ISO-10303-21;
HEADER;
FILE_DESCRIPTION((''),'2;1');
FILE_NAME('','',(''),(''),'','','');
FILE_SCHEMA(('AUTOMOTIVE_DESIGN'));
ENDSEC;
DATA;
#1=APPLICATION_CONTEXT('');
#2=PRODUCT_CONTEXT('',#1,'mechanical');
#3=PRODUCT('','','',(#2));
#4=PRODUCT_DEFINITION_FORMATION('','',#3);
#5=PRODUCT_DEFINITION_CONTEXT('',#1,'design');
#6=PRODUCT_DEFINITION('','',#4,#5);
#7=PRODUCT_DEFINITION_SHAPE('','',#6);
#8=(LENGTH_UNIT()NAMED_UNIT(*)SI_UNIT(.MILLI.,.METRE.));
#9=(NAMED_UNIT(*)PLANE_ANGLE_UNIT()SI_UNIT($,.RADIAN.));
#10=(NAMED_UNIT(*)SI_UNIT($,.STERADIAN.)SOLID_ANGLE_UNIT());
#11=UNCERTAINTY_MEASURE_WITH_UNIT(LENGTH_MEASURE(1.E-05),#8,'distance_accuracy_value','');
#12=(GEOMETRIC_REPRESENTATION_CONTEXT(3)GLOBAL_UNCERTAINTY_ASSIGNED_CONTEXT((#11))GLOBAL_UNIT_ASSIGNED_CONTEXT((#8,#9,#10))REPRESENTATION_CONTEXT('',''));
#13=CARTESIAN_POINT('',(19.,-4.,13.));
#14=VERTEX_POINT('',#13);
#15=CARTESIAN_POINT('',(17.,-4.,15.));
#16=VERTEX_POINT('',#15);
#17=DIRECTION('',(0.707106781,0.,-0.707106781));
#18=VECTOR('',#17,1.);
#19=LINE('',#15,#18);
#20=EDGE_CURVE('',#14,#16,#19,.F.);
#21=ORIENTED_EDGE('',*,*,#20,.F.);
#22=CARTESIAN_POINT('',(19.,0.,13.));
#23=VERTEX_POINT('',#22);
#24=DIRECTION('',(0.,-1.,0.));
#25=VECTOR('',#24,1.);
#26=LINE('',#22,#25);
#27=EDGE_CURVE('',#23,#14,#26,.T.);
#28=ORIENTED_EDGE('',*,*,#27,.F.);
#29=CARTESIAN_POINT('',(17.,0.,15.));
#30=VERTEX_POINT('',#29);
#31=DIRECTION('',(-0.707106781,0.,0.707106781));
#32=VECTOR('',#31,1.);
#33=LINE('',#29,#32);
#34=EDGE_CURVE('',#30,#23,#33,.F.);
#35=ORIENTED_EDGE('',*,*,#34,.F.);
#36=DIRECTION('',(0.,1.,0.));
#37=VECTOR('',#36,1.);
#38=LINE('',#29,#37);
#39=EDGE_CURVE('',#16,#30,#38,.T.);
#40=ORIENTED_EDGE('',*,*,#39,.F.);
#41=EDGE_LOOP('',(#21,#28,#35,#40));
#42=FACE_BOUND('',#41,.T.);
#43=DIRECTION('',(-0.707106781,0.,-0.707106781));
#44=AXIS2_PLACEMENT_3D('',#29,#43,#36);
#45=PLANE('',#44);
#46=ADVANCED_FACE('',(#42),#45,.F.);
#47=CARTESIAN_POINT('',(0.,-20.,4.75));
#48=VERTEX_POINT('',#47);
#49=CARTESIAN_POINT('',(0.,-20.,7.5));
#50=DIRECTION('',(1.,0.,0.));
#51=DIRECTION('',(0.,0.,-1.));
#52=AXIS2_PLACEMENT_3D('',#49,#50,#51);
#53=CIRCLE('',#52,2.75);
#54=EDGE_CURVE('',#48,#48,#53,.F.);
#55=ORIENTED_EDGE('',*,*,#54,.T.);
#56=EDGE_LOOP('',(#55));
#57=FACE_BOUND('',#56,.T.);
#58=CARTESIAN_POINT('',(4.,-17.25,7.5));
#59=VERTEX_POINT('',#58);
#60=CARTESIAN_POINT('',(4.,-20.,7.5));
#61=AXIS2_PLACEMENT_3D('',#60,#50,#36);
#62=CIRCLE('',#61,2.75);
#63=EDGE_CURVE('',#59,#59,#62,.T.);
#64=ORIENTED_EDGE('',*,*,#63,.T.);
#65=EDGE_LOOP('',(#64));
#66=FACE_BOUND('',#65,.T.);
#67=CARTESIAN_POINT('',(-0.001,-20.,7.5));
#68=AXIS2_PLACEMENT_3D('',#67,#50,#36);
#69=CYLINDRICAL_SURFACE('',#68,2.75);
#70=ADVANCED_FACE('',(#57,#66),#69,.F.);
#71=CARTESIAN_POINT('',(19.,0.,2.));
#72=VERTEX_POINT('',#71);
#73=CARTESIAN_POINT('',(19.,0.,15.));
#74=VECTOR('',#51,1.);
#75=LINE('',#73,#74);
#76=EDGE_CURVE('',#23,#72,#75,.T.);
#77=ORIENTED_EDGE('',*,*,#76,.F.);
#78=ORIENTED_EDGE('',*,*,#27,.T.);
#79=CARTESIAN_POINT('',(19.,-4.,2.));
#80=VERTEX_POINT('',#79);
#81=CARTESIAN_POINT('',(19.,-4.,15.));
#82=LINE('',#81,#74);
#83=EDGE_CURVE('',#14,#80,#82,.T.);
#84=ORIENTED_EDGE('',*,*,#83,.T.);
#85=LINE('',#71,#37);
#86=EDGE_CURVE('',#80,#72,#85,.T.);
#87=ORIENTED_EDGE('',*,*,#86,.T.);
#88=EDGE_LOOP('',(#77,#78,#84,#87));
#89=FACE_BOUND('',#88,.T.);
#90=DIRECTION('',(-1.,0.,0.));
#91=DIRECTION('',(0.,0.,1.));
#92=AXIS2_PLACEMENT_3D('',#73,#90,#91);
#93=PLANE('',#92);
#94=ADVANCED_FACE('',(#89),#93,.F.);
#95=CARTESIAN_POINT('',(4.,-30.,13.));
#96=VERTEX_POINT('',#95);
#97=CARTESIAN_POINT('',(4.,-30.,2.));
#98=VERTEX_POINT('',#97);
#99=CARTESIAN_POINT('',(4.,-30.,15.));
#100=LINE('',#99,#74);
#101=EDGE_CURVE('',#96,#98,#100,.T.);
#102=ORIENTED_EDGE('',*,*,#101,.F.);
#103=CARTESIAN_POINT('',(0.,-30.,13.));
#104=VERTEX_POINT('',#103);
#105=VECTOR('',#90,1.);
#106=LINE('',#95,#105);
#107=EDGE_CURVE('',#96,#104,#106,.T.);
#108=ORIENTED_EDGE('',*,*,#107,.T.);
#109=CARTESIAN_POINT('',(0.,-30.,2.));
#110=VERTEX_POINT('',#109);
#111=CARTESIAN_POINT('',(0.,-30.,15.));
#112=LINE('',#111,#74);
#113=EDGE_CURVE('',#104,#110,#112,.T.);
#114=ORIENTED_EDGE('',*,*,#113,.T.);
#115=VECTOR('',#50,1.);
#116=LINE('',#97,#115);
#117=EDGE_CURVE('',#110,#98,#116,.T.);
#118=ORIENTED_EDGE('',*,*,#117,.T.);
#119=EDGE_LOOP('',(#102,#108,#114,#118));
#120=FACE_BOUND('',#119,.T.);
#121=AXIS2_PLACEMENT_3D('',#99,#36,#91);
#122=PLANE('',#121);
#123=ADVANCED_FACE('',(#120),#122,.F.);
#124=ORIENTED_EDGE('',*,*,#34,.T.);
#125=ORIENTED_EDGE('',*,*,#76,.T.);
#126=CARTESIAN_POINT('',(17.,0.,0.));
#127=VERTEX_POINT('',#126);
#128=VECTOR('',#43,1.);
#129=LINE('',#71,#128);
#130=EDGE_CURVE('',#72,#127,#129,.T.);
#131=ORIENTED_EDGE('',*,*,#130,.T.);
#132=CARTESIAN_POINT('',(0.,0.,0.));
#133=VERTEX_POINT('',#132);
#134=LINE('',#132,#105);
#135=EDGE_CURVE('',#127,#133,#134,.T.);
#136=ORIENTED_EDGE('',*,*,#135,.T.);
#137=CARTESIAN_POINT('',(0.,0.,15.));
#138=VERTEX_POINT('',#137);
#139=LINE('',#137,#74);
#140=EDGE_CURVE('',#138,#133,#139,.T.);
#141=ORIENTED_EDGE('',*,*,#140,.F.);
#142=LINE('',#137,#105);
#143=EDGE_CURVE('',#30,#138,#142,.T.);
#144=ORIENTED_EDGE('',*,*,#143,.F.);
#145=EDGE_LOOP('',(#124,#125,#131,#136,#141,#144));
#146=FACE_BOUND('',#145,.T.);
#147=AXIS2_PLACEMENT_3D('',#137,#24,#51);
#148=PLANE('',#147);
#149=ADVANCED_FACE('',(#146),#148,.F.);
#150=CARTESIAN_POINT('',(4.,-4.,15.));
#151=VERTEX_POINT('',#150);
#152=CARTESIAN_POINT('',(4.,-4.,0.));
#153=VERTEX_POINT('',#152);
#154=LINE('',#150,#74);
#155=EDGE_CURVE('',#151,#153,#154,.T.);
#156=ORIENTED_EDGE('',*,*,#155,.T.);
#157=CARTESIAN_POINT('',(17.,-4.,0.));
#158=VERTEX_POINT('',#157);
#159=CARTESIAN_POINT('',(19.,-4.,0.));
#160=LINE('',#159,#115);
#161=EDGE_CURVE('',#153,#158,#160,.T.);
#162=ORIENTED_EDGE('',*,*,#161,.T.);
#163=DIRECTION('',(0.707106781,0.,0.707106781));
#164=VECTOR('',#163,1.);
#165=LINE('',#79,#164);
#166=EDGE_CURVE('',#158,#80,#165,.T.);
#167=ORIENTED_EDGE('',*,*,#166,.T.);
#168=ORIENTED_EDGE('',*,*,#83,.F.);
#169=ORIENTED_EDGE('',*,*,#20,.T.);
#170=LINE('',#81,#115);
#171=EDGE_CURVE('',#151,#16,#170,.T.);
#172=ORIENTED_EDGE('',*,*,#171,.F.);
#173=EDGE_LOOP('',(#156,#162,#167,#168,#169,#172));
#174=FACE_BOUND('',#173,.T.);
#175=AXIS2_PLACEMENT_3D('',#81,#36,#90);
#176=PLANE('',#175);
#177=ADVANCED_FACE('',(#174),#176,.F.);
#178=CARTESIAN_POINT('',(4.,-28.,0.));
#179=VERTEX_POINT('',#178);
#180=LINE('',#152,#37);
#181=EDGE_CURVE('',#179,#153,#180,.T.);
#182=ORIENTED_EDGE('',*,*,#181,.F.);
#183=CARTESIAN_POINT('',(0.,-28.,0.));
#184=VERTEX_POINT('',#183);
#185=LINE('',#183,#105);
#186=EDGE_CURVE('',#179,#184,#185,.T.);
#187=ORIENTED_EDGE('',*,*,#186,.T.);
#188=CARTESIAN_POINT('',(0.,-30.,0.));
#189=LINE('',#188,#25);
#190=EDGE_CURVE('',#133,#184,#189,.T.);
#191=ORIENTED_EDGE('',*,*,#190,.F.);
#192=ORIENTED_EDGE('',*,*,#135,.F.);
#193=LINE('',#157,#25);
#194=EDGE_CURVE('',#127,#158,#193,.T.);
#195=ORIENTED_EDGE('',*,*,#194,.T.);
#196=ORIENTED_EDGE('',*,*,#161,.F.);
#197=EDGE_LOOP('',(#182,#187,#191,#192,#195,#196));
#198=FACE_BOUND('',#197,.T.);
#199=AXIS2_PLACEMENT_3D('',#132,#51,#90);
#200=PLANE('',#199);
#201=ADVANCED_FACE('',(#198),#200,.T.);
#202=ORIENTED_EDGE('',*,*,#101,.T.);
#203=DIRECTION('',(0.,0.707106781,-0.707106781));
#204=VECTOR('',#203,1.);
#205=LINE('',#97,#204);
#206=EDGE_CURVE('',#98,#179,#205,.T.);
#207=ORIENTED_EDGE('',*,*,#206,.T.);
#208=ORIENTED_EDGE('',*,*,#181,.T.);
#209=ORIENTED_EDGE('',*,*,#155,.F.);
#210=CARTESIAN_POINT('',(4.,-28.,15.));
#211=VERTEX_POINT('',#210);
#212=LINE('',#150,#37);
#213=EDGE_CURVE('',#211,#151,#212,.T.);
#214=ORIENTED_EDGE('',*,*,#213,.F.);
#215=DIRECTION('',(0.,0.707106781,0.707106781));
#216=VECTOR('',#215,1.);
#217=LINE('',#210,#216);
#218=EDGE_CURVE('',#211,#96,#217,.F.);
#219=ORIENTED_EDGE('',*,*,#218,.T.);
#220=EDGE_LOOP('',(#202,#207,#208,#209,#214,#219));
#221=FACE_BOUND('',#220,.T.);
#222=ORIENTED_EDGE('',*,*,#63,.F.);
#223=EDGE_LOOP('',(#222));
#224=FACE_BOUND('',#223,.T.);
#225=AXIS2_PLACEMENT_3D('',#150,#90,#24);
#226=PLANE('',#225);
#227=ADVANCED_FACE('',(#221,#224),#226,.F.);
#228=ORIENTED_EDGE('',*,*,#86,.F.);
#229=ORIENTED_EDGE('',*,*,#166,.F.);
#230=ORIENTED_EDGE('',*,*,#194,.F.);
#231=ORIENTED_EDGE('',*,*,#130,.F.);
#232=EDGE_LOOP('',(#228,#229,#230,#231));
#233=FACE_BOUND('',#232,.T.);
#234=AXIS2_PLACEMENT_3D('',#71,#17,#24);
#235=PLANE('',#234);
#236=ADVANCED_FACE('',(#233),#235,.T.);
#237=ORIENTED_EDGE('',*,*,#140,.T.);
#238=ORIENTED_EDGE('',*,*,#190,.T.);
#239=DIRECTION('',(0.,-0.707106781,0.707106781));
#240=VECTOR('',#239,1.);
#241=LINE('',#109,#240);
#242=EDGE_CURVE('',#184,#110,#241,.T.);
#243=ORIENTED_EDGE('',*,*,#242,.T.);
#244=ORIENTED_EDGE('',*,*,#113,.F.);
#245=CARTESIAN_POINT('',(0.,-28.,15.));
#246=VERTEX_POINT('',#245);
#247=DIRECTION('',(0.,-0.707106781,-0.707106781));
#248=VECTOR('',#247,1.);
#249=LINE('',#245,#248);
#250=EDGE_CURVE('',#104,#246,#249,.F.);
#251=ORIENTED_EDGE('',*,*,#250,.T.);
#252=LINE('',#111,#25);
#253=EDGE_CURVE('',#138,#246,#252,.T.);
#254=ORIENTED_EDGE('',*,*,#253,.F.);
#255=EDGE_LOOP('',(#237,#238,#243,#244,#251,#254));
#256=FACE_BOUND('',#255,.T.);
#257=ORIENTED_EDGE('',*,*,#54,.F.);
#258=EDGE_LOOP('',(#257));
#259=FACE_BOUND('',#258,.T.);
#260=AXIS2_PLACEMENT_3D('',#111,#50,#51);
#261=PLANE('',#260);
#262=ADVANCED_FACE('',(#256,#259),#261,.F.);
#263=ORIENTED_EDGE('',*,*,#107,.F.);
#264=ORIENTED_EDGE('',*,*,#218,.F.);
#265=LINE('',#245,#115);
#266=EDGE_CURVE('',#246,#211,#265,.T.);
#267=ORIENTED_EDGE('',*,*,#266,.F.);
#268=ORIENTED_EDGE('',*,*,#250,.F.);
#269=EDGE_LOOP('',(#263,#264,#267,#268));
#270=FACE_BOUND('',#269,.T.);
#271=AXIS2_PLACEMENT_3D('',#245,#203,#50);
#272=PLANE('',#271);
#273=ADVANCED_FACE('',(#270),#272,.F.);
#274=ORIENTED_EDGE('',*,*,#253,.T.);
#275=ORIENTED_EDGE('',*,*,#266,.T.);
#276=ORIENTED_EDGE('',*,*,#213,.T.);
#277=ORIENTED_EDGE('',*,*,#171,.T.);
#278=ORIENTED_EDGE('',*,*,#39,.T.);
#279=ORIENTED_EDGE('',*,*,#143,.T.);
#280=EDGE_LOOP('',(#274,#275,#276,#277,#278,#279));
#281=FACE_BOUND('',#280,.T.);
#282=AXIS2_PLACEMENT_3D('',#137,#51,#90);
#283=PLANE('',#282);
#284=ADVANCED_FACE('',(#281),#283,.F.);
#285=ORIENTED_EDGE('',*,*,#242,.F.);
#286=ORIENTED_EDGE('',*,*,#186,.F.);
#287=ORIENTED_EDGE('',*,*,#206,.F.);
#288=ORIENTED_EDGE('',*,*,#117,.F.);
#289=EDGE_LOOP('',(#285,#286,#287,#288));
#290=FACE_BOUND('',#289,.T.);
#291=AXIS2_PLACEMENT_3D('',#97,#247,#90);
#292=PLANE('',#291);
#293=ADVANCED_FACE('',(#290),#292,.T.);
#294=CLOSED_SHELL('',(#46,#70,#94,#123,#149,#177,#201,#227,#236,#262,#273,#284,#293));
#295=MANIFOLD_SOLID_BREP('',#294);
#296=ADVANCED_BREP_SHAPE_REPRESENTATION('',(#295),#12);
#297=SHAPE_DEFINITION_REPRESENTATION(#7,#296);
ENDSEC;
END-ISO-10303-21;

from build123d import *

# Parameters (mm, degrees)
BOSS_EXTRUDE1_DEPTH = 15
CUT_EXTRUDE1_REACH  = 6
SKETCH2_R           = 2.75
CHAMFER1_SIZE       = 2


with BuildPart() as part:
    # Sketch1 → Boss-Extrude1 (new body)
    with BuildSketch(Plane.XY):
        Polygon((0, 0), (19, 0), (19, -4), (4, -4), (4, -30), (0, -30), align=None)
    extrude(amount=BOSS_EXTRUDE1_DEPTH)

    # Sketch2 → Cut-Extrude1 (cut, up to next)
    with BuildSketch(Plane(origin=(4, 0, 0), x_dir=(0, 0, -1), z_dir=(1, 0, 0)), mode=Mode.PRIVATE) as cut_extrude1_sk1:
        with Locations((-7.5, -20)):
            Circle(SKETCH2_R)
    cut_extrude1_tool1 = extrude(cut_extrude1_sk1.sketch, amount=-CUT_EXTRUDE1_REACH, mode=Mode.PRIVATE) & part.part
    add(cut_extrude1_tool1.solids().sort_by_distance((4, -20, 7.5))[0], mode=Mode.SUBTRACT)

    # Chamfer1
    chamfer1_edges = [part.edges().sort_by_distance(p)[0] for p in [
        (19, -2, 15),
        (19, -2, 0),
        (2, -30, 15),
        (2, -30, 0),
    ]]
    chamfer(chamfer1_edges, length=CHAMFER1_SIZE)


solid = part.part
